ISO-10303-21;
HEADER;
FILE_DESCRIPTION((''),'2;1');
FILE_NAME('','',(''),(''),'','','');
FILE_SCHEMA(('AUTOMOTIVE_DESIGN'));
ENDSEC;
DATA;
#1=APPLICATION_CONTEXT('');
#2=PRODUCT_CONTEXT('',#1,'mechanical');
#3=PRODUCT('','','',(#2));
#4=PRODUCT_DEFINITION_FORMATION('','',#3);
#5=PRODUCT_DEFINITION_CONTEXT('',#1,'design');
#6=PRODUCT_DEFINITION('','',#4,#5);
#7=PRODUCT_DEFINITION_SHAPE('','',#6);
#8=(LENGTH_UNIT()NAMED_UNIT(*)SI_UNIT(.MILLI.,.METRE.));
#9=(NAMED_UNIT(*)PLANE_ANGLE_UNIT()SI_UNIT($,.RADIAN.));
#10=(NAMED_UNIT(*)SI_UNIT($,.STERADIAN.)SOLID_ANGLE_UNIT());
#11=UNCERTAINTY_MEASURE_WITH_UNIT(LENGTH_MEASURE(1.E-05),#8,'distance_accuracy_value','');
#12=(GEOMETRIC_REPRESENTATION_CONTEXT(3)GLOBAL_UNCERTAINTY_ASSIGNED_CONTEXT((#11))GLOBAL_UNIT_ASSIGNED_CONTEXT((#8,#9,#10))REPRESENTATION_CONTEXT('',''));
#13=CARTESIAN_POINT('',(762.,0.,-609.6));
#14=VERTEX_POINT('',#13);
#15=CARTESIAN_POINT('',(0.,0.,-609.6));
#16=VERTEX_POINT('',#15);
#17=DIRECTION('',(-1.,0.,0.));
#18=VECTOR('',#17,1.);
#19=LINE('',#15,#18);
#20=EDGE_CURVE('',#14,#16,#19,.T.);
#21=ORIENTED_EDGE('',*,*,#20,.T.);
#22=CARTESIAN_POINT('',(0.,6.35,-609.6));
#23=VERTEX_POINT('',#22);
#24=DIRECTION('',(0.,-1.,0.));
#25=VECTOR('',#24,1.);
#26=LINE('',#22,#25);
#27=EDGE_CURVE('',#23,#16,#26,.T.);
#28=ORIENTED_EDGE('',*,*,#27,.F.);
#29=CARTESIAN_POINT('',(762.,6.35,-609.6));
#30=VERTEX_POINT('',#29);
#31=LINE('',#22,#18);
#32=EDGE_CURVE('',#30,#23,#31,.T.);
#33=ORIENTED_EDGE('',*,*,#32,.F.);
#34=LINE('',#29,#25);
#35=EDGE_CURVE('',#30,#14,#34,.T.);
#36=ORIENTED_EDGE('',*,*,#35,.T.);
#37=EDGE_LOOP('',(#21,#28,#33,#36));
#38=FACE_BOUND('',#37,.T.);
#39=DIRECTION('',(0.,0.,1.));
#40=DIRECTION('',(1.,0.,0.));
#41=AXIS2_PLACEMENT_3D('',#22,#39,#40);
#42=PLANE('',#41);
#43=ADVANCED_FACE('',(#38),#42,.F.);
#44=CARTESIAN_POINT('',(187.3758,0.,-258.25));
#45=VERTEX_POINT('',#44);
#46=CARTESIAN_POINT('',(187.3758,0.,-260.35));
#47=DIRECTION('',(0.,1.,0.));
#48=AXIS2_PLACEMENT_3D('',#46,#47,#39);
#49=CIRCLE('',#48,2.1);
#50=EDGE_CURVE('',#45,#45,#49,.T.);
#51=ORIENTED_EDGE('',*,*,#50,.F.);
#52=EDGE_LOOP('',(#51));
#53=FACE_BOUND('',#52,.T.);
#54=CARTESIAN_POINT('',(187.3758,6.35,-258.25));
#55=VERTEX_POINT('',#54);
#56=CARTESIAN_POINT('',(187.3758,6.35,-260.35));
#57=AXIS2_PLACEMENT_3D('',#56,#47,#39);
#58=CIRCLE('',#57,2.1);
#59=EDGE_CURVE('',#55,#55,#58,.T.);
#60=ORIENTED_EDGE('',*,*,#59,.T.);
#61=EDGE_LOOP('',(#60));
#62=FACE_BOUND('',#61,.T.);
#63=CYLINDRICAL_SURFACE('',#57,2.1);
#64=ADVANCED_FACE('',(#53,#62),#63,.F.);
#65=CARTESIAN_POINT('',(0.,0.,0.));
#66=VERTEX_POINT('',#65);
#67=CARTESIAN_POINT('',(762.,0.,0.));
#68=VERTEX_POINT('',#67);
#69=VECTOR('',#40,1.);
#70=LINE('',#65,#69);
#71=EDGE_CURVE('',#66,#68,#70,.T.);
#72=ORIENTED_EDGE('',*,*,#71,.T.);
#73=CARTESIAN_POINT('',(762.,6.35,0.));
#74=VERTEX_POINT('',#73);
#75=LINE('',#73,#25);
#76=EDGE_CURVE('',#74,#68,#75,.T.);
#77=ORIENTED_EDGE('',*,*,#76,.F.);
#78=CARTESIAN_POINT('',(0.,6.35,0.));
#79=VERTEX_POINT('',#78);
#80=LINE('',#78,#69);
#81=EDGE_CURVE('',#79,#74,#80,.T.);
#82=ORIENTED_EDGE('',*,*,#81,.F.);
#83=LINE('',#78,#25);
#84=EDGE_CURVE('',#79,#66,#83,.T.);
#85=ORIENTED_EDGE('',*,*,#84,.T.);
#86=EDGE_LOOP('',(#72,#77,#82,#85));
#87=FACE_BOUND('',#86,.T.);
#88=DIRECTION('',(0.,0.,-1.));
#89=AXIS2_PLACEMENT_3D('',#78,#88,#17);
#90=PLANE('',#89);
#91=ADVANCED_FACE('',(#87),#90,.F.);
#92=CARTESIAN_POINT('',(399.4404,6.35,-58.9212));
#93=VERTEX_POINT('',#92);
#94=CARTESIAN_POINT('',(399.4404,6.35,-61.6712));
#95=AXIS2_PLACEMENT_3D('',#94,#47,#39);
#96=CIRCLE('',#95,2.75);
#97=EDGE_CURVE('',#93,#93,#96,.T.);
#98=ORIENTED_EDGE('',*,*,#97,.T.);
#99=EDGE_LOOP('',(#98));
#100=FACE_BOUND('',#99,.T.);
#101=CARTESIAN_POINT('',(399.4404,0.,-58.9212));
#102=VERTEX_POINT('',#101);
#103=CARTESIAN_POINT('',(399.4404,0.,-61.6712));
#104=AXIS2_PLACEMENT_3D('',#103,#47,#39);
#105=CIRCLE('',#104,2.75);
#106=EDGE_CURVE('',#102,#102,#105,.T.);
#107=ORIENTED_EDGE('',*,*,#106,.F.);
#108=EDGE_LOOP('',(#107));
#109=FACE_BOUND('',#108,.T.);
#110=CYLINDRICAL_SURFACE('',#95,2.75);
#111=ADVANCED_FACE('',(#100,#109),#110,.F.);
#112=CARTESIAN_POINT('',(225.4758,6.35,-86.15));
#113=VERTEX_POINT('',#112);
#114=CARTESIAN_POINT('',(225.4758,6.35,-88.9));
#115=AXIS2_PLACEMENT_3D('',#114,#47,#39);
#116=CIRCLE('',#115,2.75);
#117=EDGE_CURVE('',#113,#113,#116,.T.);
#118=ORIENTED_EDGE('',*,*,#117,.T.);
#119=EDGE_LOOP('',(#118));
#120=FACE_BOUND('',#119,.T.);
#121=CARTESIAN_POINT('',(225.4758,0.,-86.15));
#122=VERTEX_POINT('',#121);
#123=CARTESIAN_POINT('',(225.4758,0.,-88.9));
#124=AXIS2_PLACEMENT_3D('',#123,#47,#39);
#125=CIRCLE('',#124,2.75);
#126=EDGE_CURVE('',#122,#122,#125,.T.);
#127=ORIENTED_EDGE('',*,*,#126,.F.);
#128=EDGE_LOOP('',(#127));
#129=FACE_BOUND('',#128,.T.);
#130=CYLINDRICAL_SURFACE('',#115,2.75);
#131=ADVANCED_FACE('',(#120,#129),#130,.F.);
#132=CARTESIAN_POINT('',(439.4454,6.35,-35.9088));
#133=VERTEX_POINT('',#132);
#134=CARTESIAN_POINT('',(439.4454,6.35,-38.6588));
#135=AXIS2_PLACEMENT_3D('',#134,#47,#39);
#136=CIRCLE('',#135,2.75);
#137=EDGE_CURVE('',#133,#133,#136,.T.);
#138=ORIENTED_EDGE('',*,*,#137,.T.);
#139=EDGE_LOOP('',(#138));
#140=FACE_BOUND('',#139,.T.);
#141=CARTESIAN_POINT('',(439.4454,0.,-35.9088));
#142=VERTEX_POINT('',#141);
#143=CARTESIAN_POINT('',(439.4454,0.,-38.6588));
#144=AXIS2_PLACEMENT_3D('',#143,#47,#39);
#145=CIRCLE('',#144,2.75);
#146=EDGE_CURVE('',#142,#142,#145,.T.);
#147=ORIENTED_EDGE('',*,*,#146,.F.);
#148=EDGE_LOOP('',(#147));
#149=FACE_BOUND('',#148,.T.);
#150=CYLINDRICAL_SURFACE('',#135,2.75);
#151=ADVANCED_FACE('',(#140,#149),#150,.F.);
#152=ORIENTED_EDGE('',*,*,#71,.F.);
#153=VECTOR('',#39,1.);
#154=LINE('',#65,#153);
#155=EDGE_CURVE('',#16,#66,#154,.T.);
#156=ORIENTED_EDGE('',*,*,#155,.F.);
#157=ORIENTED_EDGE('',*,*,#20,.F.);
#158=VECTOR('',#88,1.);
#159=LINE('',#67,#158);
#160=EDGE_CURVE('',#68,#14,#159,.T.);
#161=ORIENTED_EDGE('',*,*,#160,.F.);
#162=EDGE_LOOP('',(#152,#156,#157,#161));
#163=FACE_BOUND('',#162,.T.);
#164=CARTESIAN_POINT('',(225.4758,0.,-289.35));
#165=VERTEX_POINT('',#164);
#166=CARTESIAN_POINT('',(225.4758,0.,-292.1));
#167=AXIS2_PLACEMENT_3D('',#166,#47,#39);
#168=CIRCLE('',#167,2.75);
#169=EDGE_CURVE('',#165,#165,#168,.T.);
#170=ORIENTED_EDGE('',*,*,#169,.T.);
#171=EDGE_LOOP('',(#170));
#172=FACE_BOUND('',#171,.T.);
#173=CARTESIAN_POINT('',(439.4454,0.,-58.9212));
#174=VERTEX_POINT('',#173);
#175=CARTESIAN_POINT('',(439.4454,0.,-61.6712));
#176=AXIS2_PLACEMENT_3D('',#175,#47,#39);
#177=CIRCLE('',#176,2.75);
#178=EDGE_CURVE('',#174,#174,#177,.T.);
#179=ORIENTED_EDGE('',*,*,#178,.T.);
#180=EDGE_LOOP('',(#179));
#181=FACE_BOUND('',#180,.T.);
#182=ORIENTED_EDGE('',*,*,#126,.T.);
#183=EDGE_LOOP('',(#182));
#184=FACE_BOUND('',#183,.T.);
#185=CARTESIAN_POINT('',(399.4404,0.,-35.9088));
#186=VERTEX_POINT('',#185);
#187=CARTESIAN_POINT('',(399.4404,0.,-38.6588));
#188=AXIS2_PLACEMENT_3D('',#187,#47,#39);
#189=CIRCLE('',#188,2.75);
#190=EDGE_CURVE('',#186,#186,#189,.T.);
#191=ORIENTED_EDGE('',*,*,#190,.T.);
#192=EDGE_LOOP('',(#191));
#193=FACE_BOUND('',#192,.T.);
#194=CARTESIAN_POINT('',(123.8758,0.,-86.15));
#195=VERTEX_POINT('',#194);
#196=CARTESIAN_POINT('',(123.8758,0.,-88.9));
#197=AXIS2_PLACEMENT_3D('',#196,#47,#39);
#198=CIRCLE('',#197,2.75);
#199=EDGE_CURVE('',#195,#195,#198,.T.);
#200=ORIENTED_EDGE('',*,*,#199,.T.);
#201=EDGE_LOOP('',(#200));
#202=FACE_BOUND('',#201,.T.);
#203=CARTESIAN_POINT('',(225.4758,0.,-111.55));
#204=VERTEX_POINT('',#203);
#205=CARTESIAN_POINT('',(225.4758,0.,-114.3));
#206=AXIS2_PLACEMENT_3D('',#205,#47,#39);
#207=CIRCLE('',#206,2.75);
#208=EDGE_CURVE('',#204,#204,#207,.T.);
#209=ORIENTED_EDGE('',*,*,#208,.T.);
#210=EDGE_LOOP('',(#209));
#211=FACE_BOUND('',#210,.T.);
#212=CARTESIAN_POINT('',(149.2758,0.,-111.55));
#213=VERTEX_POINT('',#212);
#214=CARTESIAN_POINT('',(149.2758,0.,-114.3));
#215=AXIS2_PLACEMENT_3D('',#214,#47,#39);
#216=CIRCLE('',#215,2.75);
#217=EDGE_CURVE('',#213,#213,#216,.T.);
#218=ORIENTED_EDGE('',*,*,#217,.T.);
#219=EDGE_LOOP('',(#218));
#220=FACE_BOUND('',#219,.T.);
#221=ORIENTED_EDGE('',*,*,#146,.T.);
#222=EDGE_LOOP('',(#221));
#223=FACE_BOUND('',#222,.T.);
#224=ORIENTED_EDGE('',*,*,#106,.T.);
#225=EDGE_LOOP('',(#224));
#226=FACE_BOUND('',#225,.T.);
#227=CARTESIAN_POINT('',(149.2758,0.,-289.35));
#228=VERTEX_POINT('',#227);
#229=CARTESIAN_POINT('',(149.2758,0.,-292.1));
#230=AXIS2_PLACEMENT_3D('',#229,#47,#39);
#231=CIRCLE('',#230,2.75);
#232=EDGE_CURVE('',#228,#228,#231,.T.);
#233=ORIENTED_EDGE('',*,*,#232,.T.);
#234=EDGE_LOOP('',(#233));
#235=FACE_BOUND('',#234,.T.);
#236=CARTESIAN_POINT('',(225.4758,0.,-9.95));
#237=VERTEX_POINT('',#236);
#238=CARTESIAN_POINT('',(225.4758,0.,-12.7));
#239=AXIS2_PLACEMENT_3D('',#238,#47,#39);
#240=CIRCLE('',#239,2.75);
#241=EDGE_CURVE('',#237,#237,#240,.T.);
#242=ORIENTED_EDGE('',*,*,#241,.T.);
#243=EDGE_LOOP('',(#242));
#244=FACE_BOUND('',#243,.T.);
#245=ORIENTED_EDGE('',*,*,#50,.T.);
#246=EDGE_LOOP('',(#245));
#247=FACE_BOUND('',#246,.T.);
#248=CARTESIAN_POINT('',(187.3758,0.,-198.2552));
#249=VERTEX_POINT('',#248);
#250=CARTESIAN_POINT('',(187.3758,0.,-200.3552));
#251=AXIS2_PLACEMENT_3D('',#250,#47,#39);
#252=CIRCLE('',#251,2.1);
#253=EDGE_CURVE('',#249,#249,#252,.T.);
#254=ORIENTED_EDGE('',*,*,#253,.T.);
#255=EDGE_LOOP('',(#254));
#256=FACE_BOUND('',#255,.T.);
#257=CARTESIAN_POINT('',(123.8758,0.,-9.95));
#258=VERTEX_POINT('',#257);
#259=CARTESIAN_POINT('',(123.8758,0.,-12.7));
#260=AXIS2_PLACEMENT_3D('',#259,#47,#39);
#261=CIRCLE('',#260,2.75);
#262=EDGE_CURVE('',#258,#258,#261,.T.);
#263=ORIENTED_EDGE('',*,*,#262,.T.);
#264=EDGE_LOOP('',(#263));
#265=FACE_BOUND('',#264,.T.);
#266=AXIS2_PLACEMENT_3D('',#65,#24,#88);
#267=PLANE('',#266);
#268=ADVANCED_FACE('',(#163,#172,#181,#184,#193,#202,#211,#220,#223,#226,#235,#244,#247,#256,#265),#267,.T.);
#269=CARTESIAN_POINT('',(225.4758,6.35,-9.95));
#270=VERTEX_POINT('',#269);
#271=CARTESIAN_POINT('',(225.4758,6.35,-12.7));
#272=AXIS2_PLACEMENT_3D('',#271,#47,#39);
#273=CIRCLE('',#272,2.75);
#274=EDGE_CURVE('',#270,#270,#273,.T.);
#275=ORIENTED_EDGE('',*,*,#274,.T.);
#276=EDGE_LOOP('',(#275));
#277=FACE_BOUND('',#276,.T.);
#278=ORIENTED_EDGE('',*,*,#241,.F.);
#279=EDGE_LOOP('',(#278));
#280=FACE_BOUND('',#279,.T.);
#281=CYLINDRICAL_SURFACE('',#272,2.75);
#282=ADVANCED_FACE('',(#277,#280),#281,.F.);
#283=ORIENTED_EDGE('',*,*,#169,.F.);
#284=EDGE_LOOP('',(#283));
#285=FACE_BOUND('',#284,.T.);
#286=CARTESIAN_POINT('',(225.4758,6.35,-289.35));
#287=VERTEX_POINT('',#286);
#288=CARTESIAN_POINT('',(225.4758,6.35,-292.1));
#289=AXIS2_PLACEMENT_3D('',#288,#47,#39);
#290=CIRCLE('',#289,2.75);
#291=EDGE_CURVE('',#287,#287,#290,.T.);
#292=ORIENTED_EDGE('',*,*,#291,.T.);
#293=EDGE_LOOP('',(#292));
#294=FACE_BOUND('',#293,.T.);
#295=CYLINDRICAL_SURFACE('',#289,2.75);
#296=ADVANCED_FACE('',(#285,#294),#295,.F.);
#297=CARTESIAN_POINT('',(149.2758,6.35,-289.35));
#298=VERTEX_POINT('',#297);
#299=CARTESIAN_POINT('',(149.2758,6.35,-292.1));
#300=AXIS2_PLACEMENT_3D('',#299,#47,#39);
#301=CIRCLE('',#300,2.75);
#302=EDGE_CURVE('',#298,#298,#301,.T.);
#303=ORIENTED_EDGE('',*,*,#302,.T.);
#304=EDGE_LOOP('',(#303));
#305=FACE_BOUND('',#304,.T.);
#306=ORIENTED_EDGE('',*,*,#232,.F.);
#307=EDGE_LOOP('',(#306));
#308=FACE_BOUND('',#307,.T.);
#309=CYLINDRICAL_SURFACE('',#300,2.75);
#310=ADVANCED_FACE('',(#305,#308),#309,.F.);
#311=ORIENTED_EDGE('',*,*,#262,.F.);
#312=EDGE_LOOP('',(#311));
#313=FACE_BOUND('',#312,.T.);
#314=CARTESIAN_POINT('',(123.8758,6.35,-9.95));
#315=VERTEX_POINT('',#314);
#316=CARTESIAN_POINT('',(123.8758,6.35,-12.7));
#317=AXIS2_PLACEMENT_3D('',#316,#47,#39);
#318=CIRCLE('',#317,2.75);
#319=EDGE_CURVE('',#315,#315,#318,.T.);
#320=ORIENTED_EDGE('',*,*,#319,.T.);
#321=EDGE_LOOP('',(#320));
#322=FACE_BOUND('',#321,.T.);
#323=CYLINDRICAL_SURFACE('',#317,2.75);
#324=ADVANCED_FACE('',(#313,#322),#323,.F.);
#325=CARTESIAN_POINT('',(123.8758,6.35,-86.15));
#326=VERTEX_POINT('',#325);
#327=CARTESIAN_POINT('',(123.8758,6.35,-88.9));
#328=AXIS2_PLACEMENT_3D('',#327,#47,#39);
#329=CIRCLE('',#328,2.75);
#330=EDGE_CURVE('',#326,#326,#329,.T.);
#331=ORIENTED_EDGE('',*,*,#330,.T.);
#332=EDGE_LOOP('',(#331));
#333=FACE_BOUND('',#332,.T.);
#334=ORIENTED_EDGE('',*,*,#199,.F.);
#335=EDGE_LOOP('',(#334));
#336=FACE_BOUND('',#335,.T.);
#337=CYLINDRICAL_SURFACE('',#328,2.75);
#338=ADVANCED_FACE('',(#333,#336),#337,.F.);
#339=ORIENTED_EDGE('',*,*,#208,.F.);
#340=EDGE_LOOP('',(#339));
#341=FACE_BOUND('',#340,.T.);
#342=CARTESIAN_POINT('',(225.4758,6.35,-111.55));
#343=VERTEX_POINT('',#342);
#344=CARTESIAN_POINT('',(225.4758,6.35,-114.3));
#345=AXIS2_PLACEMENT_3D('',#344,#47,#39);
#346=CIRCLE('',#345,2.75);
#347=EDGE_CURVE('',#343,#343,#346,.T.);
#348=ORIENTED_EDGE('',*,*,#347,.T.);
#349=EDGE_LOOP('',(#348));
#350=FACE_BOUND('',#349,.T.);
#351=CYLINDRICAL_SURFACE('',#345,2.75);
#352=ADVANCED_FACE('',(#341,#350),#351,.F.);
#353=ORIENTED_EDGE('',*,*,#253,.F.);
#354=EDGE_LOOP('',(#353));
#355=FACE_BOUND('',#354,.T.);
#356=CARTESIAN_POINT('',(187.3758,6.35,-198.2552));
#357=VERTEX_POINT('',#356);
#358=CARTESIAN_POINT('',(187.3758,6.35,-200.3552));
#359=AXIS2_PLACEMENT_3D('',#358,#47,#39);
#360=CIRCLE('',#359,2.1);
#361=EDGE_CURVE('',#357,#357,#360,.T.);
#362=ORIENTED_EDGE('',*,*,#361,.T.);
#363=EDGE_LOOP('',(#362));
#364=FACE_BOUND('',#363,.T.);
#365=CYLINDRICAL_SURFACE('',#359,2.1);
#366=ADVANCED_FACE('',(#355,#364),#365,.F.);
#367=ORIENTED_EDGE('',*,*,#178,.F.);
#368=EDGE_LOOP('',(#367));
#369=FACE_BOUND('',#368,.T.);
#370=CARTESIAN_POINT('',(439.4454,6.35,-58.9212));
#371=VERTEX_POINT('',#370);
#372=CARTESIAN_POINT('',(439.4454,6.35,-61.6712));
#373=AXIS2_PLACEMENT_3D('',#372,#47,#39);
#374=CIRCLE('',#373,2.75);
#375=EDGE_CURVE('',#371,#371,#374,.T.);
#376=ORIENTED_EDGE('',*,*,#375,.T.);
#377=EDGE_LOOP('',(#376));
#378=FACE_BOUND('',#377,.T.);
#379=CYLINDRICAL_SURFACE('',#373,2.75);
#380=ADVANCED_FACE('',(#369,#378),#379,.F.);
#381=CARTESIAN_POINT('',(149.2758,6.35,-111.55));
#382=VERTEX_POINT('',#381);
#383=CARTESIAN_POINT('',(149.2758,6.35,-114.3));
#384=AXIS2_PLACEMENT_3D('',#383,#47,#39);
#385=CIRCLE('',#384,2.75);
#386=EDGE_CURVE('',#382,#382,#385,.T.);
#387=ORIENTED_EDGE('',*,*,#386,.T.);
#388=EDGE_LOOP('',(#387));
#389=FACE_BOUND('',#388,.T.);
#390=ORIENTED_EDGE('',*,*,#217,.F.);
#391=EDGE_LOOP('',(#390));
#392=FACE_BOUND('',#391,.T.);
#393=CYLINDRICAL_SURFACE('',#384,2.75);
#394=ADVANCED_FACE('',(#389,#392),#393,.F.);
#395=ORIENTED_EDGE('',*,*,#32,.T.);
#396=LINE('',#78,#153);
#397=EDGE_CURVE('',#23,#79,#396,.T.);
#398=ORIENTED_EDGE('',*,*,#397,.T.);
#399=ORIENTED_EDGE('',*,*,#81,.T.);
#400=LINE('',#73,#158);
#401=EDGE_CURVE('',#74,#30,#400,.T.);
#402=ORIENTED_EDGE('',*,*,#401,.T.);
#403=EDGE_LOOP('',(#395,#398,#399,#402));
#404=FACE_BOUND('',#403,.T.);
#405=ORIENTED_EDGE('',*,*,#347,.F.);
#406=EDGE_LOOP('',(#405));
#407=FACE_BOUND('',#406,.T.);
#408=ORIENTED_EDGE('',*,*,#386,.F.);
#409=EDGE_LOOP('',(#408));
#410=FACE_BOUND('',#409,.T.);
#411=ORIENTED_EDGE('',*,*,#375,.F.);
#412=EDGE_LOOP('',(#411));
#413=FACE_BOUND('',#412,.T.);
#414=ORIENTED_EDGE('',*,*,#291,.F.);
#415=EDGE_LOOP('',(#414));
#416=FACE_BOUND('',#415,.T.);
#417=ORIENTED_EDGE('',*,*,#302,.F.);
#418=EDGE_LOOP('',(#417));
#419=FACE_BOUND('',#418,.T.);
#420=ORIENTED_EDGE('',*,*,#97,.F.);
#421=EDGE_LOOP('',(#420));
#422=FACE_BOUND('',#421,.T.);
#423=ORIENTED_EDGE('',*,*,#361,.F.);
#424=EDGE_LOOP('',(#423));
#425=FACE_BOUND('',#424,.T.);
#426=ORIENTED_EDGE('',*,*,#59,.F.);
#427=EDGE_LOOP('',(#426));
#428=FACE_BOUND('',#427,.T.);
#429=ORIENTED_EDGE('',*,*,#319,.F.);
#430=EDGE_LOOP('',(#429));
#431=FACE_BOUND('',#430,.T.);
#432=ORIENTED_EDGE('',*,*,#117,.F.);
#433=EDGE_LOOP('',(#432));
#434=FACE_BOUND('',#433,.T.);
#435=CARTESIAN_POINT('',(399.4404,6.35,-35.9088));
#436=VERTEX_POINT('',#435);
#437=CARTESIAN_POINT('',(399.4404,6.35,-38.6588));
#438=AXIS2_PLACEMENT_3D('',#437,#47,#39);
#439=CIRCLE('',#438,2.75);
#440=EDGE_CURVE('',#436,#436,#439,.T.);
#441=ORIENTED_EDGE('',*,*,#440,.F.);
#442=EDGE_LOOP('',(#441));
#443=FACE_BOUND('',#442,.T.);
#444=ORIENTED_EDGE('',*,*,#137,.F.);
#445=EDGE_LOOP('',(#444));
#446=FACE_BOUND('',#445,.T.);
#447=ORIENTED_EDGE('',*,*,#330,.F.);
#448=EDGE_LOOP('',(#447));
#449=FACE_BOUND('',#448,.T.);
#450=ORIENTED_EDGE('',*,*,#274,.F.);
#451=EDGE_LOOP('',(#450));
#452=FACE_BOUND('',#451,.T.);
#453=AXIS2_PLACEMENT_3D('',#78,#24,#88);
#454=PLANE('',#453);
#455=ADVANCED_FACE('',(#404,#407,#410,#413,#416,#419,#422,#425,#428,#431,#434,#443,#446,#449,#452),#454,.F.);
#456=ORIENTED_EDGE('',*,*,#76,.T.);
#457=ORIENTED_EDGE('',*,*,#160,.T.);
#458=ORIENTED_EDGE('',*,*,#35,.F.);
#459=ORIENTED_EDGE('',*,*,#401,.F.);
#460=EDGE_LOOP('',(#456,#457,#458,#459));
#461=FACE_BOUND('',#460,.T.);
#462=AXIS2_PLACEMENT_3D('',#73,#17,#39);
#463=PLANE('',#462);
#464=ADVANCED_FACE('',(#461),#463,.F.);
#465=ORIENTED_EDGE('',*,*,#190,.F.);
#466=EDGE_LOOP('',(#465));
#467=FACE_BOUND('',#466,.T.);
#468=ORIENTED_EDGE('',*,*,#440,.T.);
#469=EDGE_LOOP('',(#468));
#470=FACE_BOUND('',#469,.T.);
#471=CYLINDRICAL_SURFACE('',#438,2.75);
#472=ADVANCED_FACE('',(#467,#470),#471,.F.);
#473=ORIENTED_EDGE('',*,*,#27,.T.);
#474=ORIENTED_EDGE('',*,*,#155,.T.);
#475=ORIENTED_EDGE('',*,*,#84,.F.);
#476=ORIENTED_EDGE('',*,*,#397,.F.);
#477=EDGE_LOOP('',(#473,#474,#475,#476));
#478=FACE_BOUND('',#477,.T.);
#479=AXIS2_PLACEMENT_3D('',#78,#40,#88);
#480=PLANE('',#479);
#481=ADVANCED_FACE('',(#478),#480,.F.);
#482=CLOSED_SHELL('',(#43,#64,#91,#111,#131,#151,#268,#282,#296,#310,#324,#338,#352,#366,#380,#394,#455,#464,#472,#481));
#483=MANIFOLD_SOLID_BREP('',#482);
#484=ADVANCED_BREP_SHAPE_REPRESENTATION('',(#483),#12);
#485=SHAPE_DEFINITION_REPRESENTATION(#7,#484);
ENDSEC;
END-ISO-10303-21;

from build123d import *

# Parameters (mm, degrees)
SKETCH1_W             = 762
SKETCH1_H             = 609.6
BOSS_EXTRUDE1_DEPTH   = 6.35
M5_CLEARANCE_HOLE1_D  = 5.5
M5_CLEARANCE_HOLE2_D  = 5.5
M5X0_8_TAPPED_HOLE2_D = 4.2


with BuildPart() as part:
    # Sketch1 → Boss-Extrude1 (new body)
    with BuildSketch(Plane(origin=(0, 0, 0), x_dir=(1, 0, 0), z_dir=(0, 1, 0))):
        with Locations((381, 304.8)):
            Rectangle(SKETCH1_W, SKETCH1_H)
    extrude(amount=BOSS_EXTRUDE1_DEPTH)

    # M5 Clearance Hole1 (through all)
    with Locations(Plane(origin=(0, 6.35, 0), x_dir=(1, 0, 0), z_dir=(0, 1, 0))):
        with Locations((439.4454, 61.6712), (399.4404, 61.6712), (399.4404, 38.6588), (439.4454, 38.6588)):
            Hole(M5_CLEARANCE_HOLE1_D / 2)

    # M5 Clearance Hole2 (through all)
    with Locations(Plane(origin=(0, 6.35, 0), x_dir=(1, 0, 0), z_dir=(0, 1, 0))):
        with Locations((123.8758, 12.7), (225.4758, 12.7), (225.4758, 88.9), (123.8758, 88.9), (225.4758, 114.3), (225.4758, 292.1), (149.2758, 292.1), (149.2758, 114.3)):
            Hole(M5_CLEARANCE_HOLE2_D / 2)

    # M5x0.8 Tapped Hole2 (through all)
    with Locations(Plane(origin=(0, 6.35, 0), x_dir=(1, 0, 0), z_dir=(0, 1, 0))):
        with Locations((187.3758, 260.35), (187.3758, 200.3552)):
            Hole(M5X0_8_TAPPED_HOLE2_D / 2)


solid = part.part
